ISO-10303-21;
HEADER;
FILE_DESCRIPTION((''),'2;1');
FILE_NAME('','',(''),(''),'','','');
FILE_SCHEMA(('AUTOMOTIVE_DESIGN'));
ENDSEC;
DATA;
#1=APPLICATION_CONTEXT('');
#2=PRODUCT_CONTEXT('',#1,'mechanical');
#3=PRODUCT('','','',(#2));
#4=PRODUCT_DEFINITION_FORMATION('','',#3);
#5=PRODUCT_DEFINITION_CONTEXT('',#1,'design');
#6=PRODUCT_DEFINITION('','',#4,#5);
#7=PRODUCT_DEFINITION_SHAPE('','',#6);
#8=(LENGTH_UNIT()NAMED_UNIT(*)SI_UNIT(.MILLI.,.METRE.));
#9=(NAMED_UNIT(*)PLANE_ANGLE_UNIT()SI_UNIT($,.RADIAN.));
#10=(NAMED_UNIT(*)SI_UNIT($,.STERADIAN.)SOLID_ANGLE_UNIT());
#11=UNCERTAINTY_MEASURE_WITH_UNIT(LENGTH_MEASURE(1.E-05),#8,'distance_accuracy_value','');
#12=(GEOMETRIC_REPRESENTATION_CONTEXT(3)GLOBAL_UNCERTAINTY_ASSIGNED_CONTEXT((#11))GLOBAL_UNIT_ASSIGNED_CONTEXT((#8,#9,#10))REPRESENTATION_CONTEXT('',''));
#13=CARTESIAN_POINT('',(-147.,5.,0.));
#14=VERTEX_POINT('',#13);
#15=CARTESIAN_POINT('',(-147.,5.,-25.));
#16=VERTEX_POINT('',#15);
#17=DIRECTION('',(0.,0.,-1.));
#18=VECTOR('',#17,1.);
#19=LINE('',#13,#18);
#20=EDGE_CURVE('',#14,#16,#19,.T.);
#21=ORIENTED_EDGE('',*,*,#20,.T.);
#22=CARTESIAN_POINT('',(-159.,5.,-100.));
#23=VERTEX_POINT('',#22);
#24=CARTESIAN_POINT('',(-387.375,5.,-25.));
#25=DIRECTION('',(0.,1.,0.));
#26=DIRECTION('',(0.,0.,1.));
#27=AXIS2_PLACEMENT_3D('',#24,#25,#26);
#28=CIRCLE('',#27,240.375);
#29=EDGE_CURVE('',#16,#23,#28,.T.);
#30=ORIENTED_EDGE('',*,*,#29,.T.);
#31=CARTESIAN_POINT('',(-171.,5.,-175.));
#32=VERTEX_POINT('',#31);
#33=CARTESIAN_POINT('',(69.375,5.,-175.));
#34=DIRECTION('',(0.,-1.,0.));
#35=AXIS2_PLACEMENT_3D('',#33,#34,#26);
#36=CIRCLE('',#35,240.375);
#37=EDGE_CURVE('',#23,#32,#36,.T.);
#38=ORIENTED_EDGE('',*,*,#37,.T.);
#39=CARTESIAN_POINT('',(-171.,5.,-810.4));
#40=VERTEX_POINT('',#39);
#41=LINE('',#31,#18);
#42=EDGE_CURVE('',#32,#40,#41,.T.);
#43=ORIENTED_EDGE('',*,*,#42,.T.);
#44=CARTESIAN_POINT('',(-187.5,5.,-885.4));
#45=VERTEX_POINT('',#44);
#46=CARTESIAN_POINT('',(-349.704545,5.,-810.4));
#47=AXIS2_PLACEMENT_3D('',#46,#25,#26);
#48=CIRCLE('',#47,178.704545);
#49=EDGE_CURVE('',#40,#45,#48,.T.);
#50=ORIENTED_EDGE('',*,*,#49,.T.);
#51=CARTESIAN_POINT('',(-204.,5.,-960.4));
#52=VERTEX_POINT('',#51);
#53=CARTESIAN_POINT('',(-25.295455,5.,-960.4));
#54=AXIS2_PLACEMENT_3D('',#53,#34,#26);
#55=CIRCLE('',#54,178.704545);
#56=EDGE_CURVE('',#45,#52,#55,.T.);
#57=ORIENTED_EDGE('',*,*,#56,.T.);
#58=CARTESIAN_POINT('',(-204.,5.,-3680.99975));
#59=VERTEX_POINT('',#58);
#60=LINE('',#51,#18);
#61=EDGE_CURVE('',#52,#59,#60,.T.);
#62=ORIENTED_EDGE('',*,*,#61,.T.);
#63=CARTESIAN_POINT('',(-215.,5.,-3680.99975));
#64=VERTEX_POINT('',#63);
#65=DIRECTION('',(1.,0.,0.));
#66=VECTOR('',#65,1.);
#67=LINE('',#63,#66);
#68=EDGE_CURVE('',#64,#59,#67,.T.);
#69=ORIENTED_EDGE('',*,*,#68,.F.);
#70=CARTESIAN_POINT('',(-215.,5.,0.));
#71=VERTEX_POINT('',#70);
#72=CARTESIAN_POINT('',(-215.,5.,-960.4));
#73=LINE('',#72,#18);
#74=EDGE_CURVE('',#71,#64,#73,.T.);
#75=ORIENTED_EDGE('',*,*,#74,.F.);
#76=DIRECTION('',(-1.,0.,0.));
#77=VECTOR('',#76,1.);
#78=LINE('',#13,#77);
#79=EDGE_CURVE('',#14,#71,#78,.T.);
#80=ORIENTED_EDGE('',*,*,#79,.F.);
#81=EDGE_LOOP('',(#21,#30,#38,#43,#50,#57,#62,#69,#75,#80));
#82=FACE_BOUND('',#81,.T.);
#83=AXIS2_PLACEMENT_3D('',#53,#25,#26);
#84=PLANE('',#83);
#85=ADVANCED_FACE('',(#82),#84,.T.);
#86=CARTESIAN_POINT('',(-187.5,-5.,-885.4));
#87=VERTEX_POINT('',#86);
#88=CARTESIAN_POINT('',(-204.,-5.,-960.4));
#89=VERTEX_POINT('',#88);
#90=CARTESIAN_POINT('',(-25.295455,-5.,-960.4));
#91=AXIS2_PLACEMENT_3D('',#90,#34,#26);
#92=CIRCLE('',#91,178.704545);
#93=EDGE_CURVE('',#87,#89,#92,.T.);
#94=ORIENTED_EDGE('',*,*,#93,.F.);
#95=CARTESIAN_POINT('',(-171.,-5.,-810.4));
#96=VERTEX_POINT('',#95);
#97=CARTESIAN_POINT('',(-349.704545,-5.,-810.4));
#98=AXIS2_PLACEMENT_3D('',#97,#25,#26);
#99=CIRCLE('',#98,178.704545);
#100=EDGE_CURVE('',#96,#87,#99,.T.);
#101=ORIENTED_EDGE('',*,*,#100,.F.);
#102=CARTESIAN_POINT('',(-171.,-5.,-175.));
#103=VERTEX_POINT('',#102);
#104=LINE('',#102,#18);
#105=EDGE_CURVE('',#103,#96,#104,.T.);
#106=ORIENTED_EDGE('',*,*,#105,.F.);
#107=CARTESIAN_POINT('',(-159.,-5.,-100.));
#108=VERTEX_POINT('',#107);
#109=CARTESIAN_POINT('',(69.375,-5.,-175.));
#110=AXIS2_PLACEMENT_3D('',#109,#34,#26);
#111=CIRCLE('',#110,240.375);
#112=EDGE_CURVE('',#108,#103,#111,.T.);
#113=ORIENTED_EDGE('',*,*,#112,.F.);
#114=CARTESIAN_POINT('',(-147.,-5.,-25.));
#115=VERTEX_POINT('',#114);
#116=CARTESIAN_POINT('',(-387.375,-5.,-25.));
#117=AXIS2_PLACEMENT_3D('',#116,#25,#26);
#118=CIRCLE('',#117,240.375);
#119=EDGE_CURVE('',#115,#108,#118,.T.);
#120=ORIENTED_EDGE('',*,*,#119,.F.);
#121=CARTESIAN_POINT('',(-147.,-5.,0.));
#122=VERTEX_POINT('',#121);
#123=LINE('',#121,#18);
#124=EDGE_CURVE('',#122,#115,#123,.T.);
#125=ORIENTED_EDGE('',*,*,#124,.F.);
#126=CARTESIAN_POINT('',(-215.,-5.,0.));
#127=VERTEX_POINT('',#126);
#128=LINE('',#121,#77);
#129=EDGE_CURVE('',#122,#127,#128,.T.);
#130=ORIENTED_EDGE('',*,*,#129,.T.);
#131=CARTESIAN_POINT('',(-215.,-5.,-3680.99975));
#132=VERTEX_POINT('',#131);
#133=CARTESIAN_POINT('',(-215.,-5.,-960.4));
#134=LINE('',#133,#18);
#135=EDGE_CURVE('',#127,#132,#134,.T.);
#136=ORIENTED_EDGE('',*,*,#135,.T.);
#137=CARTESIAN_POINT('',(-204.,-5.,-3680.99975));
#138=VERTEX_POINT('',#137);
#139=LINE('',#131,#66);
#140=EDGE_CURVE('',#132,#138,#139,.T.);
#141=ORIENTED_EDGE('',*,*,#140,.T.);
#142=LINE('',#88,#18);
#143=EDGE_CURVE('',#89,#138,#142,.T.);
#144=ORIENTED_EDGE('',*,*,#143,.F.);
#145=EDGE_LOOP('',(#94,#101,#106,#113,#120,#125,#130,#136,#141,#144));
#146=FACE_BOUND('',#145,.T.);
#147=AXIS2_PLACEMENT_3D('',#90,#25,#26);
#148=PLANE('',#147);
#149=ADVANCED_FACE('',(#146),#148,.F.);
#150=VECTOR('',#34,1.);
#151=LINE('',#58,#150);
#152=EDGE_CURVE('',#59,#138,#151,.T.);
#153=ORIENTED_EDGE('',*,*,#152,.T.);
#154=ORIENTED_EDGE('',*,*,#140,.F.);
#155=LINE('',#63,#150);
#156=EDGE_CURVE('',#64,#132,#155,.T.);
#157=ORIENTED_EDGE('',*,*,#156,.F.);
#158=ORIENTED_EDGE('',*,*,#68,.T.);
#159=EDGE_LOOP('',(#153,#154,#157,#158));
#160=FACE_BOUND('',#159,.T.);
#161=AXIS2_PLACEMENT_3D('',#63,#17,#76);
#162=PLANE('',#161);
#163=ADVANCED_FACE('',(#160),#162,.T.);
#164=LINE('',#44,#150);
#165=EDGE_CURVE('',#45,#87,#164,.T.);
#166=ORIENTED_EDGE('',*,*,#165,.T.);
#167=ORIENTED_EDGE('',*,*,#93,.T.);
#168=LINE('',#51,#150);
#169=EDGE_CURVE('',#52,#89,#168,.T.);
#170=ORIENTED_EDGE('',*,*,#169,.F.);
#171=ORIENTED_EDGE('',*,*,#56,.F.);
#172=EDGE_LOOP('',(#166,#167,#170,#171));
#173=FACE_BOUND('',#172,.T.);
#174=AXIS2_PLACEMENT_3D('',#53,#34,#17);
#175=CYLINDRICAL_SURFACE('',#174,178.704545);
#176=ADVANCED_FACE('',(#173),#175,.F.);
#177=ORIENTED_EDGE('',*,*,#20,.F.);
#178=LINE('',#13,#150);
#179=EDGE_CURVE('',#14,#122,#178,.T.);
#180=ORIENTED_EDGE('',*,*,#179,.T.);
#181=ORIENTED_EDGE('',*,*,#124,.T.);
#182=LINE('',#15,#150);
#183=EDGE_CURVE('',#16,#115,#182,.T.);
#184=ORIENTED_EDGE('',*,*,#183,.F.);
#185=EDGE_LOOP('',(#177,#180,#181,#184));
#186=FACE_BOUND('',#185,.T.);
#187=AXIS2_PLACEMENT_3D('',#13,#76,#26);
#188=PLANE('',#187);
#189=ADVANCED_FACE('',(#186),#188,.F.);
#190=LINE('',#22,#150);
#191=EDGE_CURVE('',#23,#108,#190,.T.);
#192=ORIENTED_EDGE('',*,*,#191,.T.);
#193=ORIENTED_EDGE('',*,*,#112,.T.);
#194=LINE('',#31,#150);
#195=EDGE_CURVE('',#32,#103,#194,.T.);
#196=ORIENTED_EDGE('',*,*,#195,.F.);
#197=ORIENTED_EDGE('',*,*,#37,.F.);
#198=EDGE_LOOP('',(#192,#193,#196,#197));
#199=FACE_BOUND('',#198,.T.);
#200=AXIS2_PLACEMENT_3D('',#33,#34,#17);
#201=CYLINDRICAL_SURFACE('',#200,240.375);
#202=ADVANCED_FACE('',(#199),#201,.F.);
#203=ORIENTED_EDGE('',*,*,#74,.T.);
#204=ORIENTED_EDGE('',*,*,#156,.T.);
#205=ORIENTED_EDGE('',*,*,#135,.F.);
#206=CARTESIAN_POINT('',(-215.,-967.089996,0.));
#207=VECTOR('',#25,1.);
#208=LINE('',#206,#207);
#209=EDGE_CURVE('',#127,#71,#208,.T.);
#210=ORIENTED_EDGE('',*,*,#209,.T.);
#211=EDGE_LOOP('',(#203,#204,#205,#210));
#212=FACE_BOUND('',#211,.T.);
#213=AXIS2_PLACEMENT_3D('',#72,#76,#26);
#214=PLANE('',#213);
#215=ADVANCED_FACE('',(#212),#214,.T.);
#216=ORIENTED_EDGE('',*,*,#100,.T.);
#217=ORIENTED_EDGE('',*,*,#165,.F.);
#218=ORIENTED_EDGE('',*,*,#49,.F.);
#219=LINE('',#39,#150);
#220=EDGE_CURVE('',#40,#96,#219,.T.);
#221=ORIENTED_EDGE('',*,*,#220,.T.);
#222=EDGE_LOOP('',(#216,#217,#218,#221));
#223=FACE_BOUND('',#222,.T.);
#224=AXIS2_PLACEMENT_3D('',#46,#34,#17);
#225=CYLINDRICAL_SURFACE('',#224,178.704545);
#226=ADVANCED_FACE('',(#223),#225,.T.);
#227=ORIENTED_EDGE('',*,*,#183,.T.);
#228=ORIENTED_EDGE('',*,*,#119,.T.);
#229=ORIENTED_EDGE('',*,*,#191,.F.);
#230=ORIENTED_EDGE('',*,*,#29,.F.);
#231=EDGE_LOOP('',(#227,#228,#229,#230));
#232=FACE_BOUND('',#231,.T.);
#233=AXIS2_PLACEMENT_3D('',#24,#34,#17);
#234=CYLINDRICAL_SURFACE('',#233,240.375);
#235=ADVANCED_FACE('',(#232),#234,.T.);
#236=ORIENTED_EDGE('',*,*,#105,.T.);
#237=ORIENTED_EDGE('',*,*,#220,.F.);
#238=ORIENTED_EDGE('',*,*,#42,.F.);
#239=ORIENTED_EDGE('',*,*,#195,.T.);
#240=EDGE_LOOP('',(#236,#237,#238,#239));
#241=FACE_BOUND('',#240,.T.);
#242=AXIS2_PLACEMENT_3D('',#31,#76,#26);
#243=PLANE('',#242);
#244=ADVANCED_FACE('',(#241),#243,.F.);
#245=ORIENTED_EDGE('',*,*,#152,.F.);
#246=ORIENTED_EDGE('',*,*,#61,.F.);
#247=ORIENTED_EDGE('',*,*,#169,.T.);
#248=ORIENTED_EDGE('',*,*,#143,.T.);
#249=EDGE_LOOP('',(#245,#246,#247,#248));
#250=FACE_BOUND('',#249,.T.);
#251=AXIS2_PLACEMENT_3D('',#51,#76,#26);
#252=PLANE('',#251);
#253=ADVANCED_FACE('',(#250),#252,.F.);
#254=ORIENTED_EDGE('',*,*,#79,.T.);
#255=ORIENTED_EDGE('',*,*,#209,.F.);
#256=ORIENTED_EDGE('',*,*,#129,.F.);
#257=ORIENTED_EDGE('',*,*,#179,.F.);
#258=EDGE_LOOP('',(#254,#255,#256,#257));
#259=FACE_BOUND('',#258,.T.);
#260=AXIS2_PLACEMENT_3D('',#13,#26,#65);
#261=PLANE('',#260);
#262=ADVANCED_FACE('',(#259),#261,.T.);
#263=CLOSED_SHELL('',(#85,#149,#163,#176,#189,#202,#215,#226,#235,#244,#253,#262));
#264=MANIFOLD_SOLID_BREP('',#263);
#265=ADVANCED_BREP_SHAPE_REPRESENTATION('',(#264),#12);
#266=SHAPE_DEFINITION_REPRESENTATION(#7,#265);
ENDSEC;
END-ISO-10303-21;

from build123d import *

# Parameters (mm, degrees)
EXTRUDE_THIN1_DEPTH = 5
EXTRUDE1_DEPTH      = 10


with BuildPart() as part:
    # Sketch1 → Extrude-Thin1 (new body, symmetric)
    with BuildSketch(Plane(origin=(0, 0, 0), x_dir=(1, 0, 0), z_dir=(0, 1, 0))):
        with BuildLine():
            Line((-147, 0), (-147, 25))
            ThreePointArc((-147, 25), (-150.018958103, 62.976966704), (-159, 100))
            ThreePointArc((-159, 100), (-167.981041897, 137.023033296), (-171, 175))
            Line((-171, 175), (-171, 810.4))
            ThreePointArc((-171, 810.4), (-175.173739961, 848.796777209), (-187.5, 885.4))
            ThreePointArc((-187.5, 885.4), (-199.826260039, 922.003222791), (-204, 960.4))
            Line((-204, 960.4), (-204, 3680.99975))
            Line((-204, 3680.99975), (-215, 3680.99975))
            Line((-215, 3680.99975), (-215, 960.4))
            ThreePointArc((-215, 960.4), (-210.569349172, 919.639743182), (-197.484357116, 880.783441435))
            ThreePointArc((-197.484357116, 880.783441435), (-185.916829095, 846.433297599), (-182, 810.4))
            Line((-182, 810.4), (-182, 175))
            ThreePointArc((-182, 175), (-178.842888848, 135.285137784), (-169.450858034, 96.567862715))
            ThreePointArc((-169.450858034, 96.567862715), (-160.880805054, 61.239071191), (-158, 25))
            Line((-158, 25), (-158, 0))
            Line((-158, 0), (-147, 0))
        make_face()
    extrude(amount=EXTRUDE_THIN1_DEPTH, both=True)

    # Sketch3 → Extrude1 (add)
    with BuildSketch(Plane(origin=(0, 5, 0), x_dir=(1, 0, 0), z_dir=(0, 1, 0))):
        with BuildLine():
            Line((-158, 0), (-158, 25))
            ThreePointArc((-158, 25), (-160.880805054, 61.239071191), (-169.450858034, 96.567862715))
            ThreePointArc((-169.450858034, 96.567862715), (-178.842888848, 135.285137784), (-182, 175))
            Line((-182, 175), (-182, 810.4))
            ThreePointArc((-182, 810.4), (-185.916829095, 846.433297599), (-197.484357116, 880.783441435))
            ThreePointArc((-197.484357116, 880.783441435), (-210.569349172, 919.639743182), (-215, 960.4))
            Line((-215, 960.4), (-215, 0))
            Line((-215, 0), (-158, 0))
        make_face()
    extrude(amount=-EXTRUDE1_DEPTH)


solid = part.part
